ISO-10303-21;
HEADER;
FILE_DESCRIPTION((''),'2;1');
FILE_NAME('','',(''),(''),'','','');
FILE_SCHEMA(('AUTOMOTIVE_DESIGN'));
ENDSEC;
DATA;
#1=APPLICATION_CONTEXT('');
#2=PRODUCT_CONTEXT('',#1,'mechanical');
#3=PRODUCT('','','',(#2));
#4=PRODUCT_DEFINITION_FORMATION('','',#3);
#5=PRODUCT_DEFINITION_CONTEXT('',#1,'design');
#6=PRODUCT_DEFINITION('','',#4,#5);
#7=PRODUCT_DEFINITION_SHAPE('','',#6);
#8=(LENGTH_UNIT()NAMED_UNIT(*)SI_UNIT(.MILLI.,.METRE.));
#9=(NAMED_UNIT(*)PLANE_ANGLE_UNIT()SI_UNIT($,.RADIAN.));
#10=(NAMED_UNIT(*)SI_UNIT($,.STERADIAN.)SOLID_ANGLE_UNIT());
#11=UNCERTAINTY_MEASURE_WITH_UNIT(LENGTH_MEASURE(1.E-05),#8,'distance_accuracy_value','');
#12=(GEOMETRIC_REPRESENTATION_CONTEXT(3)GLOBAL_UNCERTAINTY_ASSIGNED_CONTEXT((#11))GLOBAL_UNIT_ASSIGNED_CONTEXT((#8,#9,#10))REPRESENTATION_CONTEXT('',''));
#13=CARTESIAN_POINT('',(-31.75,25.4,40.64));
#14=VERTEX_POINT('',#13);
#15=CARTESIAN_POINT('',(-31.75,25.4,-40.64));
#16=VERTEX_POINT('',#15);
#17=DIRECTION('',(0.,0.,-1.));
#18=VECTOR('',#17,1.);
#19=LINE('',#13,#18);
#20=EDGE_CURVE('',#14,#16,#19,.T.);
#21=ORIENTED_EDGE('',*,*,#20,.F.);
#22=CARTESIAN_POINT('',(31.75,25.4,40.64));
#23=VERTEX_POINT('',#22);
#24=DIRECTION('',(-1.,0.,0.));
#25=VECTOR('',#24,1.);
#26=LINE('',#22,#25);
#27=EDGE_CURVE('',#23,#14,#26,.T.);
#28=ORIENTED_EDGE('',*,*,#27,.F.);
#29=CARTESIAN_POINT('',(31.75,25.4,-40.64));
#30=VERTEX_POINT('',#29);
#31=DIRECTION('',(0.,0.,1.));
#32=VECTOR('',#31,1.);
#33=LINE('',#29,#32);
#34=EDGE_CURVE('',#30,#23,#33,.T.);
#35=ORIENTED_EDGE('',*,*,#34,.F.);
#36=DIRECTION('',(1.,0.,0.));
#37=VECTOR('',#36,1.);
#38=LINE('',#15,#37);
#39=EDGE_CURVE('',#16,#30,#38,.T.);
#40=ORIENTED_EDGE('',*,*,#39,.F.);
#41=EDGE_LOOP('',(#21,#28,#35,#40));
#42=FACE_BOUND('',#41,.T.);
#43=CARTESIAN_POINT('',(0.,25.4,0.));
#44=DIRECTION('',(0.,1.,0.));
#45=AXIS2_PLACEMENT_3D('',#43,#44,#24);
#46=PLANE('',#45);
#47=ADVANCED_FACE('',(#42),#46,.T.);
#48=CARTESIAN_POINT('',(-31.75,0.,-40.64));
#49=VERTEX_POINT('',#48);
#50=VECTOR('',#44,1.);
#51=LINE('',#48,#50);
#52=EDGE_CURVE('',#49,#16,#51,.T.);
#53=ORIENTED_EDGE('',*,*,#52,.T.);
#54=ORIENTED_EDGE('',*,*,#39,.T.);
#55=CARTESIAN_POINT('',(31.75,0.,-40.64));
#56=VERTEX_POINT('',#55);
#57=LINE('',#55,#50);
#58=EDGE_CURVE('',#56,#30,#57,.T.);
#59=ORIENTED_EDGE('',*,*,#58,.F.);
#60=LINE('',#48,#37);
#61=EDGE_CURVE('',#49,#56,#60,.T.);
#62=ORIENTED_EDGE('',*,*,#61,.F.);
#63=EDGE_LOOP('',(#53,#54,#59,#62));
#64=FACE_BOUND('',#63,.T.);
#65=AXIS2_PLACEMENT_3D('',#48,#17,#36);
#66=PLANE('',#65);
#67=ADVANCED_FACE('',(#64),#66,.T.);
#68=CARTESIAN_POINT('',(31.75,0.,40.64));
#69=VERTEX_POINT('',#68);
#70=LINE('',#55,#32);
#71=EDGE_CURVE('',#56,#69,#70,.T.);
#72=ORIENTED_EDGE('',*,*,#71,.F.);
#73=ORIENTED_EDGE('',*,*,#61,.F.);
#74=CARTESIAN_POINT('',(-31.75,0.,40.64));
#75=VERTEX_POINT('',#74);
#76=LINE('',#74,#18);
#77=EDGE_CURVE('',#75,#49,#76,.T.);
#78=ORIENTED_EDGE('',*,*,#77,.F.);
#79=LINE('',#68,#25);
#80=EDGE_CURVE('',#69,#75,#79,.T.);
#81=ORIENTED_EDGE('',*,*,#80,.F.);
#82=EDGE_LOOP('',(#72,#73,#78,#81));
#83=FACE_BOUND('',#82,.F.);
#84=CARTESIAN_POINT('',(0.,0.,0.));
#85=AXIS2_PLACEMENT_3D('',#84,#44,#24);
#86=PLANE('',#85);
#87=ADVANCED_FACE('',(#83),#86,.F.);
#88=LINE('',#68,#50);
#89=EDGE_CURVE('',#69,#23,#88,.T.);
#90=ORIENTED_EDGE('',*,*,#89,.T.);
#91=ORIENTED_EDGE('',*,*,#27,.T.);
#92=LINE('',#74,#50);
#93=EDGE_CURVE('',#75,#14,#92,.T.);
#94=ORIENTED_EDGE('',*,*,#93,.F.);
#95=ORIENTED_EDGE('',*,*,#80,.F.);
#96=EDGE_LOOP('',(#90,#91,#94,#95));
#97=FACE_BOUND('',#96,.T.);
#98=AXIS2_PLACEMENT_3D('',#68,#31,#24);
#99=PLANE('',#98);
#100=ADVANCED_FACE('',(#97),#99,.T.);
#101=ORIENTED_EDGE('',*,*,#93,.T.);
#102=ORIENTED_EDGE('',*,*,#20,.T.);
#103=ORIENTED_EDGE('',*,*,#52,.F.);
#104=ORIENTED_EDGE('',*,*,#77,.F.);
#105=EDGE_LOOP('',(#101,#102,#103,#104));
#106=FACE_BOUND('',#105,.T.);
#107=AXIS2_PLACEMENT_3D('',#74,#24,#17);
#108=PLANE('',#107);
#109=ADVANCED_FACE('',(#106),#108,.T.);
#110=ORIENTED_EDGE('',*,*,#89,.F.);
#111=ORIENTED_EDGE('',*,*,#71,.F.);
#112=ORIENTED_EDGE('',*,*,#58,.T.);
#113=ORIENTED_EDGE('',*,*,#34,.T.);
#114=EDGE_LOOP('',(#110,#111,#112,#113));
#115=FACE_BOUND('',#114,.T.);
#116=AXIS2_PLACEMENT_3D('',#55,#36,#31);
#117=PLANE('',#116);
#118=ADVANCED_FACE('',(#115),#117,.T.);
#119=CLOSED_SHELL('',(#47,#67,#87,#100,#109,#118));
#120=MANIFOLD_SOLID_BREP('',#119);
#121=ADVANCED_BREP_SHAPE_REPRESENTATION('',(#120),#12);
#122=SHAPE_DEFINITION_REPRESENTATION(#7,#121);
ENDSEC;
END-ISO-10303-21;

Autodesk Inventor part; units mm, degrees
ref_plane "YZ Plane" through (0, 0, 0) normal (1, 0, 0) x (0, 1, 0)
ref_plane "XZ Plane" through (0, 0, 0) normal (0, 1, 0) x (-1, 0, 0)
ref_plane "XY Plane" through (0, 0, 0) normal (0, 0, 1) x (1, 0, 0)
sketch "Sketch1" plane through (0, 0, 0) normal (0, 1, 0) x (-1, 0, 0)
  line L0 (-31.75, 40.64) -> (31.75, 40.64)
  line L1 (31.75, 40.64) -> (31.75, -40.64)
  line L2 (31.75, -40.64) -> (-31.75, -40.64)
  line L3 (-31.75, -40.64) -> (-31.75, 40.64)
  line L4 (-31.75, 40.64) -> (31.75, -40.64) construction
  line L5 (31.75, 40.64) -> (-31.75, -40.64) construction
  point P0 (0, 0)
  dimension "d0" = 63.5
  dimension "d1" = 81.28
extrude "Extrusion1" add sketch "Sketch1" along normal blind 25.4
properties part number "FPGA"
